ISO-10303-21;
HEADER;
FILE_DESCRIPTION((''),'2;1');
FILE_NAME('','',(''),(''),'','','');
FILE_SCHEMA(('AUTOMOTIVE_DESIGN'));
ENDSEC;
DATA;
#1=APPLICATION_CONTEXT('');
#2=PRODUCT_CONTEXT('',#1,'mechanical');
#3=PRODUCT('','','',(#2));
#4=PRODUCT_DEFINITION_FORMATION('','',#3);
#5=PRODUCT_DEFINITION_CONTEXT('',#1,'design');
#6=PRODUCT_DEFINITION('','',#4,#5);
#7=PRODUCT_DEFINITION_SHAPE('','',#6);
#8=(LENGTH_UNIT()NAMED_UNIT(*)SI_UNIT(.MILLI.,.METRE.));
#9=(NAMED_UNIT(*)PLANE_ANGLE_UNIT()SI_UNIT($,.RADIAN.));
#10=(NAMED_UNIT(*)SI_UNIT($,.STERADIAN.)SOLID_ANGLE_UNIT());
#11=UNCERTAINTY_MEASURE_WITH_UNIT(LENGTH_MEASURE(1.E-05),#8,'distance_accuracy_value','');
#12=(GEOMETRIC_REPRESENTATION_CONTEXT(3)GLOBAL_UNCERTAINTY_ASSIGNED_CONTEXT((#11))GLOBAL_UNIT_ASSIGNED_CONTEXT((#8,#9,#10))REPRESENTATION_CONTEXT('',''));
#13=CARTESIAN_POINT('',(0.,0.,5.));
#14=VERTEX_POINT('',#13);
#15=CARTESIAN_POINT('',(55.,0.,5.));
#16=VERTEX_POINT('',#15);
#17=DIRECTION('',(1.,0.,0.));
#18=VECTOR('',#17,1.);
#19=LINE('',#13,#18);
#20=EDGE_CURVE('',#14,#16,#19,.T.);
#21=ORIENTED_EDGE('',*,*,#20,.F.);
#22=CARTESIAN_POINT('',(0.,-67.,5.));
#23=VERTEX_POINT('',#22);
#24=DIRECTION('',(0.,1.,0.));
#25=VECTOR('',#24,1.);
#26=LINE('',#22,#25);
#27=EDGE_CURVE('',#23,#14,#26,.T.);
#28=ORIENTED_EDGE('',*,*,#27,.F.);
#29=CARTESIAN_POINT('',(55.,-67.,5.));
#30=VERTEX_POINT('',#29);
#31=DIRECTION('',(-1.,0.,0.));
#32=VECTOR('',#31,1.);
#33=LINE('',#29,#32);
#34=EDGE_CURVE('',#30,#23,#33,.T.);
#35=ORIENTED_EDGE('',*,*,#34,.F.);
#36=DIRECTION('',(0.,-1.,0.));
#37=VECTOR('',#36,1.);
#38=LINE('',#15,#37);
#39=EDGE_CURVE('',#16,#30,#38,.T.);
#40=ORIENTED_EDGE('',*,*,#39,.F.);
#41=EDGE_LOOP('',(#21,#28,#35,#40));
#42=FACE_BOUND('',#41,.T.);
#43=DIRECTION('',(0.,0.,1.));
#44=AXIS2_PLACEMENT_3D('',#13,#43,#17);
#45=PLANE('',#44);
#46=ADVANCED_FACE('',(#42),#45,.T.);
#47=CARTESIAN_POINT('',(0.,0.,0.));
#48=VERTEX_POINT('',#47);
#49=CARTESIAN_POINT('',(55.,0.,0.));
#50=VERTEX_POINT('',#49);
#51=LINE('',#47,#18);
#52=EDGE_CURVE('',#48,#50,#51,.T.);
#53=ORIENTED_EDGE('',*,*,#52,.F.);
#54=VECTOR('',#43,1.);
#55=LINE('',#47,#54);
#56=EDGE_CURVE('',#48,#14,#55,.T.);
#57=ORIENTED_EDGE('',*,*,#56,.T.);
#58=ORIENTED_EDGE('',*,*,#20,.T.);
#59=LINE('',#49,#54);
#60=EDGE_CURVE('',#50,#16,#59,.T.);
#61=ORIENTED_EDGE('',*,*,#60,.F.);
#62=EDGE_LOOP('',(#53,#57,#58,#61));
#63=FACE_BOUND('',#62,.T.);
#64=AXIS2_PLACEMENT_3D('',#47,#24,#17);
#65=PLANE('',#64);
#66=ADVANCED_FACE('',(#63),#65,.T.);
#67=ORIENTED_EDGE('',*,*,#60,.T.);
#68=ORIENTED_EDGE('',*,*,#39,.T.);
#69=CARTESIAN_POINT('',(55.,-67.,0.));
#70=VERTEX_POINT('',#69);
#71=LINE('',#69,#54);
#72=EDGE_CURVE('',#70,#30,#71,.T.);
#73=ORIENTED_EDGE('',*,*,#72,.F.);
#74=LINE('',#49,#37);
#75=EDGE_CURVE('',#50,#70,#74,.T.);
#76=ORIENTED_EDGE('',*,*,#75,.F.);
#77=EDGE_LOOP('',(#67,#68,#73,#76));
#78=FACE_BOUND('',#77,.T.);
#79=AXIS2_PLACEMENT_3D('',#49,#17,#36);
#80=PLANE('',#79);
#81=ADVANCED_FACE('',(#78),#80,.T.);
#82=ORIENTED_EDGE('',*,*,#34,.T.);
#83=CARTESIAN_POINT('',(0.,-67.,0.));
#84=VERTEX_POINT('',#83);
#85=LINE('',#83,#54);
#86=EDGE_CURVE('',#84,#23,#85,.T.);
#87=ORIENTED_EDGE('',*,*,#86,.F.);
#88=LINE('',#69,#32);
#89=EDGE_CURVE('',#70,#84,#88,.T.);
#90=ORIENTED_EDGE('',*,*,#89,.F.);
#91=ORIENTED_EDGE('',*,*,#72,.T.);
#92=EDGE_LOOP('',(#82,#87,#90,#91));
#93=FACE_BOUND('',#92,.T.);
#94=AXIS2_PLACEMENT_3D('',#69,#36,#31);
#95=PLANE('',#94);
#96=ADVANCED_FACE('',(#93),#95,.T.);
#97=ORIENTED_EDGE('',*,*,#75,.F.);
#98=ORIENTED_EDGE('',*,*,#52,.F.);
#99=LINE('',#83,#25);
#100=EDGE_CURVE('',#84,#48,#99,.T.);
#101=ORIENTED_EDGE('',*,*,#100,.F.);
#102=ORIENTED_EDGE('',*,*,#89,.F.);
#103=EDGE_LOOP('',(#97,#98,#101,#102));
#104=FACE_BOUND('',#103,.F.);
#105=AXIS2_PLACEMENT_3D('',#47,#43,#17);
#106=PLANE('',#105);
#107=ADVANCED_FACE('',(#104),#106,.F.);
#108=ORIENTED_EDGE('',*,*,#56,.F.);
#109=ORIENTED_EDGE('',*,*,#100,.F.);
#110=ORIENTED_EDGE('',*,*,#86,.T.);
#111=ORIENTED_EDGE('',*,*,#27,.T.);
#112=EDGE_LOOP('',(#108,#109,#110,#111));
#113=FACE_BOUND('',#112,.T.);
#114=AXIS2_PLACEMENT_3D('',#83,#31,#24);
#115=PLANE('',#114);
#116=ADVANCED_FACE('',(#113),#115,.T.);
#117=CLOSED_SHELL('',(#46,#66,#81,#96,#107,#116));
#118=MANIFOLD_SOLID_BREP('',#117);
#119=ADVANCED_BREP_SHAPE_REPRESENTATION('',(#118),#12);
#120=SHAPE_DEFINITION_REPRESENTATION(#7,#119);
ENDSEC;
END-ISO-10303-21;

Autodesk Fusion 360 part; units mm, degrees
sketch "Sketch1" plane through (0, 0, 0) normal (0, 0, 1) x (1, 0, 0)
  line L0 (0, 0) -> (55, 0)
  line L1 (55, 0) -> (55, -67)
  line L2 (55, -67) -> (0, -67)
  line L3 (0, -67) -> (0, 0)
  dimension "d7" = 55
  dimension "d8" = 67
extrude "Extrude1" add sketch "Sketch1" along normal blind 5
equation "perfboard_length = 47 mm"
equation "perfboard_width = 35 mm"
equation "width = perfboard_length + 2 * screw_radius * 2"
equation "length = perfboard_width + 2 * screw_radius * 2"
equation "height = 5 mm"
equation "d7 = length"
equation "d8 = width"
equation "d9 = height"
equation "extra = 100 mm"
equation "screw_radius = 5 mm"
